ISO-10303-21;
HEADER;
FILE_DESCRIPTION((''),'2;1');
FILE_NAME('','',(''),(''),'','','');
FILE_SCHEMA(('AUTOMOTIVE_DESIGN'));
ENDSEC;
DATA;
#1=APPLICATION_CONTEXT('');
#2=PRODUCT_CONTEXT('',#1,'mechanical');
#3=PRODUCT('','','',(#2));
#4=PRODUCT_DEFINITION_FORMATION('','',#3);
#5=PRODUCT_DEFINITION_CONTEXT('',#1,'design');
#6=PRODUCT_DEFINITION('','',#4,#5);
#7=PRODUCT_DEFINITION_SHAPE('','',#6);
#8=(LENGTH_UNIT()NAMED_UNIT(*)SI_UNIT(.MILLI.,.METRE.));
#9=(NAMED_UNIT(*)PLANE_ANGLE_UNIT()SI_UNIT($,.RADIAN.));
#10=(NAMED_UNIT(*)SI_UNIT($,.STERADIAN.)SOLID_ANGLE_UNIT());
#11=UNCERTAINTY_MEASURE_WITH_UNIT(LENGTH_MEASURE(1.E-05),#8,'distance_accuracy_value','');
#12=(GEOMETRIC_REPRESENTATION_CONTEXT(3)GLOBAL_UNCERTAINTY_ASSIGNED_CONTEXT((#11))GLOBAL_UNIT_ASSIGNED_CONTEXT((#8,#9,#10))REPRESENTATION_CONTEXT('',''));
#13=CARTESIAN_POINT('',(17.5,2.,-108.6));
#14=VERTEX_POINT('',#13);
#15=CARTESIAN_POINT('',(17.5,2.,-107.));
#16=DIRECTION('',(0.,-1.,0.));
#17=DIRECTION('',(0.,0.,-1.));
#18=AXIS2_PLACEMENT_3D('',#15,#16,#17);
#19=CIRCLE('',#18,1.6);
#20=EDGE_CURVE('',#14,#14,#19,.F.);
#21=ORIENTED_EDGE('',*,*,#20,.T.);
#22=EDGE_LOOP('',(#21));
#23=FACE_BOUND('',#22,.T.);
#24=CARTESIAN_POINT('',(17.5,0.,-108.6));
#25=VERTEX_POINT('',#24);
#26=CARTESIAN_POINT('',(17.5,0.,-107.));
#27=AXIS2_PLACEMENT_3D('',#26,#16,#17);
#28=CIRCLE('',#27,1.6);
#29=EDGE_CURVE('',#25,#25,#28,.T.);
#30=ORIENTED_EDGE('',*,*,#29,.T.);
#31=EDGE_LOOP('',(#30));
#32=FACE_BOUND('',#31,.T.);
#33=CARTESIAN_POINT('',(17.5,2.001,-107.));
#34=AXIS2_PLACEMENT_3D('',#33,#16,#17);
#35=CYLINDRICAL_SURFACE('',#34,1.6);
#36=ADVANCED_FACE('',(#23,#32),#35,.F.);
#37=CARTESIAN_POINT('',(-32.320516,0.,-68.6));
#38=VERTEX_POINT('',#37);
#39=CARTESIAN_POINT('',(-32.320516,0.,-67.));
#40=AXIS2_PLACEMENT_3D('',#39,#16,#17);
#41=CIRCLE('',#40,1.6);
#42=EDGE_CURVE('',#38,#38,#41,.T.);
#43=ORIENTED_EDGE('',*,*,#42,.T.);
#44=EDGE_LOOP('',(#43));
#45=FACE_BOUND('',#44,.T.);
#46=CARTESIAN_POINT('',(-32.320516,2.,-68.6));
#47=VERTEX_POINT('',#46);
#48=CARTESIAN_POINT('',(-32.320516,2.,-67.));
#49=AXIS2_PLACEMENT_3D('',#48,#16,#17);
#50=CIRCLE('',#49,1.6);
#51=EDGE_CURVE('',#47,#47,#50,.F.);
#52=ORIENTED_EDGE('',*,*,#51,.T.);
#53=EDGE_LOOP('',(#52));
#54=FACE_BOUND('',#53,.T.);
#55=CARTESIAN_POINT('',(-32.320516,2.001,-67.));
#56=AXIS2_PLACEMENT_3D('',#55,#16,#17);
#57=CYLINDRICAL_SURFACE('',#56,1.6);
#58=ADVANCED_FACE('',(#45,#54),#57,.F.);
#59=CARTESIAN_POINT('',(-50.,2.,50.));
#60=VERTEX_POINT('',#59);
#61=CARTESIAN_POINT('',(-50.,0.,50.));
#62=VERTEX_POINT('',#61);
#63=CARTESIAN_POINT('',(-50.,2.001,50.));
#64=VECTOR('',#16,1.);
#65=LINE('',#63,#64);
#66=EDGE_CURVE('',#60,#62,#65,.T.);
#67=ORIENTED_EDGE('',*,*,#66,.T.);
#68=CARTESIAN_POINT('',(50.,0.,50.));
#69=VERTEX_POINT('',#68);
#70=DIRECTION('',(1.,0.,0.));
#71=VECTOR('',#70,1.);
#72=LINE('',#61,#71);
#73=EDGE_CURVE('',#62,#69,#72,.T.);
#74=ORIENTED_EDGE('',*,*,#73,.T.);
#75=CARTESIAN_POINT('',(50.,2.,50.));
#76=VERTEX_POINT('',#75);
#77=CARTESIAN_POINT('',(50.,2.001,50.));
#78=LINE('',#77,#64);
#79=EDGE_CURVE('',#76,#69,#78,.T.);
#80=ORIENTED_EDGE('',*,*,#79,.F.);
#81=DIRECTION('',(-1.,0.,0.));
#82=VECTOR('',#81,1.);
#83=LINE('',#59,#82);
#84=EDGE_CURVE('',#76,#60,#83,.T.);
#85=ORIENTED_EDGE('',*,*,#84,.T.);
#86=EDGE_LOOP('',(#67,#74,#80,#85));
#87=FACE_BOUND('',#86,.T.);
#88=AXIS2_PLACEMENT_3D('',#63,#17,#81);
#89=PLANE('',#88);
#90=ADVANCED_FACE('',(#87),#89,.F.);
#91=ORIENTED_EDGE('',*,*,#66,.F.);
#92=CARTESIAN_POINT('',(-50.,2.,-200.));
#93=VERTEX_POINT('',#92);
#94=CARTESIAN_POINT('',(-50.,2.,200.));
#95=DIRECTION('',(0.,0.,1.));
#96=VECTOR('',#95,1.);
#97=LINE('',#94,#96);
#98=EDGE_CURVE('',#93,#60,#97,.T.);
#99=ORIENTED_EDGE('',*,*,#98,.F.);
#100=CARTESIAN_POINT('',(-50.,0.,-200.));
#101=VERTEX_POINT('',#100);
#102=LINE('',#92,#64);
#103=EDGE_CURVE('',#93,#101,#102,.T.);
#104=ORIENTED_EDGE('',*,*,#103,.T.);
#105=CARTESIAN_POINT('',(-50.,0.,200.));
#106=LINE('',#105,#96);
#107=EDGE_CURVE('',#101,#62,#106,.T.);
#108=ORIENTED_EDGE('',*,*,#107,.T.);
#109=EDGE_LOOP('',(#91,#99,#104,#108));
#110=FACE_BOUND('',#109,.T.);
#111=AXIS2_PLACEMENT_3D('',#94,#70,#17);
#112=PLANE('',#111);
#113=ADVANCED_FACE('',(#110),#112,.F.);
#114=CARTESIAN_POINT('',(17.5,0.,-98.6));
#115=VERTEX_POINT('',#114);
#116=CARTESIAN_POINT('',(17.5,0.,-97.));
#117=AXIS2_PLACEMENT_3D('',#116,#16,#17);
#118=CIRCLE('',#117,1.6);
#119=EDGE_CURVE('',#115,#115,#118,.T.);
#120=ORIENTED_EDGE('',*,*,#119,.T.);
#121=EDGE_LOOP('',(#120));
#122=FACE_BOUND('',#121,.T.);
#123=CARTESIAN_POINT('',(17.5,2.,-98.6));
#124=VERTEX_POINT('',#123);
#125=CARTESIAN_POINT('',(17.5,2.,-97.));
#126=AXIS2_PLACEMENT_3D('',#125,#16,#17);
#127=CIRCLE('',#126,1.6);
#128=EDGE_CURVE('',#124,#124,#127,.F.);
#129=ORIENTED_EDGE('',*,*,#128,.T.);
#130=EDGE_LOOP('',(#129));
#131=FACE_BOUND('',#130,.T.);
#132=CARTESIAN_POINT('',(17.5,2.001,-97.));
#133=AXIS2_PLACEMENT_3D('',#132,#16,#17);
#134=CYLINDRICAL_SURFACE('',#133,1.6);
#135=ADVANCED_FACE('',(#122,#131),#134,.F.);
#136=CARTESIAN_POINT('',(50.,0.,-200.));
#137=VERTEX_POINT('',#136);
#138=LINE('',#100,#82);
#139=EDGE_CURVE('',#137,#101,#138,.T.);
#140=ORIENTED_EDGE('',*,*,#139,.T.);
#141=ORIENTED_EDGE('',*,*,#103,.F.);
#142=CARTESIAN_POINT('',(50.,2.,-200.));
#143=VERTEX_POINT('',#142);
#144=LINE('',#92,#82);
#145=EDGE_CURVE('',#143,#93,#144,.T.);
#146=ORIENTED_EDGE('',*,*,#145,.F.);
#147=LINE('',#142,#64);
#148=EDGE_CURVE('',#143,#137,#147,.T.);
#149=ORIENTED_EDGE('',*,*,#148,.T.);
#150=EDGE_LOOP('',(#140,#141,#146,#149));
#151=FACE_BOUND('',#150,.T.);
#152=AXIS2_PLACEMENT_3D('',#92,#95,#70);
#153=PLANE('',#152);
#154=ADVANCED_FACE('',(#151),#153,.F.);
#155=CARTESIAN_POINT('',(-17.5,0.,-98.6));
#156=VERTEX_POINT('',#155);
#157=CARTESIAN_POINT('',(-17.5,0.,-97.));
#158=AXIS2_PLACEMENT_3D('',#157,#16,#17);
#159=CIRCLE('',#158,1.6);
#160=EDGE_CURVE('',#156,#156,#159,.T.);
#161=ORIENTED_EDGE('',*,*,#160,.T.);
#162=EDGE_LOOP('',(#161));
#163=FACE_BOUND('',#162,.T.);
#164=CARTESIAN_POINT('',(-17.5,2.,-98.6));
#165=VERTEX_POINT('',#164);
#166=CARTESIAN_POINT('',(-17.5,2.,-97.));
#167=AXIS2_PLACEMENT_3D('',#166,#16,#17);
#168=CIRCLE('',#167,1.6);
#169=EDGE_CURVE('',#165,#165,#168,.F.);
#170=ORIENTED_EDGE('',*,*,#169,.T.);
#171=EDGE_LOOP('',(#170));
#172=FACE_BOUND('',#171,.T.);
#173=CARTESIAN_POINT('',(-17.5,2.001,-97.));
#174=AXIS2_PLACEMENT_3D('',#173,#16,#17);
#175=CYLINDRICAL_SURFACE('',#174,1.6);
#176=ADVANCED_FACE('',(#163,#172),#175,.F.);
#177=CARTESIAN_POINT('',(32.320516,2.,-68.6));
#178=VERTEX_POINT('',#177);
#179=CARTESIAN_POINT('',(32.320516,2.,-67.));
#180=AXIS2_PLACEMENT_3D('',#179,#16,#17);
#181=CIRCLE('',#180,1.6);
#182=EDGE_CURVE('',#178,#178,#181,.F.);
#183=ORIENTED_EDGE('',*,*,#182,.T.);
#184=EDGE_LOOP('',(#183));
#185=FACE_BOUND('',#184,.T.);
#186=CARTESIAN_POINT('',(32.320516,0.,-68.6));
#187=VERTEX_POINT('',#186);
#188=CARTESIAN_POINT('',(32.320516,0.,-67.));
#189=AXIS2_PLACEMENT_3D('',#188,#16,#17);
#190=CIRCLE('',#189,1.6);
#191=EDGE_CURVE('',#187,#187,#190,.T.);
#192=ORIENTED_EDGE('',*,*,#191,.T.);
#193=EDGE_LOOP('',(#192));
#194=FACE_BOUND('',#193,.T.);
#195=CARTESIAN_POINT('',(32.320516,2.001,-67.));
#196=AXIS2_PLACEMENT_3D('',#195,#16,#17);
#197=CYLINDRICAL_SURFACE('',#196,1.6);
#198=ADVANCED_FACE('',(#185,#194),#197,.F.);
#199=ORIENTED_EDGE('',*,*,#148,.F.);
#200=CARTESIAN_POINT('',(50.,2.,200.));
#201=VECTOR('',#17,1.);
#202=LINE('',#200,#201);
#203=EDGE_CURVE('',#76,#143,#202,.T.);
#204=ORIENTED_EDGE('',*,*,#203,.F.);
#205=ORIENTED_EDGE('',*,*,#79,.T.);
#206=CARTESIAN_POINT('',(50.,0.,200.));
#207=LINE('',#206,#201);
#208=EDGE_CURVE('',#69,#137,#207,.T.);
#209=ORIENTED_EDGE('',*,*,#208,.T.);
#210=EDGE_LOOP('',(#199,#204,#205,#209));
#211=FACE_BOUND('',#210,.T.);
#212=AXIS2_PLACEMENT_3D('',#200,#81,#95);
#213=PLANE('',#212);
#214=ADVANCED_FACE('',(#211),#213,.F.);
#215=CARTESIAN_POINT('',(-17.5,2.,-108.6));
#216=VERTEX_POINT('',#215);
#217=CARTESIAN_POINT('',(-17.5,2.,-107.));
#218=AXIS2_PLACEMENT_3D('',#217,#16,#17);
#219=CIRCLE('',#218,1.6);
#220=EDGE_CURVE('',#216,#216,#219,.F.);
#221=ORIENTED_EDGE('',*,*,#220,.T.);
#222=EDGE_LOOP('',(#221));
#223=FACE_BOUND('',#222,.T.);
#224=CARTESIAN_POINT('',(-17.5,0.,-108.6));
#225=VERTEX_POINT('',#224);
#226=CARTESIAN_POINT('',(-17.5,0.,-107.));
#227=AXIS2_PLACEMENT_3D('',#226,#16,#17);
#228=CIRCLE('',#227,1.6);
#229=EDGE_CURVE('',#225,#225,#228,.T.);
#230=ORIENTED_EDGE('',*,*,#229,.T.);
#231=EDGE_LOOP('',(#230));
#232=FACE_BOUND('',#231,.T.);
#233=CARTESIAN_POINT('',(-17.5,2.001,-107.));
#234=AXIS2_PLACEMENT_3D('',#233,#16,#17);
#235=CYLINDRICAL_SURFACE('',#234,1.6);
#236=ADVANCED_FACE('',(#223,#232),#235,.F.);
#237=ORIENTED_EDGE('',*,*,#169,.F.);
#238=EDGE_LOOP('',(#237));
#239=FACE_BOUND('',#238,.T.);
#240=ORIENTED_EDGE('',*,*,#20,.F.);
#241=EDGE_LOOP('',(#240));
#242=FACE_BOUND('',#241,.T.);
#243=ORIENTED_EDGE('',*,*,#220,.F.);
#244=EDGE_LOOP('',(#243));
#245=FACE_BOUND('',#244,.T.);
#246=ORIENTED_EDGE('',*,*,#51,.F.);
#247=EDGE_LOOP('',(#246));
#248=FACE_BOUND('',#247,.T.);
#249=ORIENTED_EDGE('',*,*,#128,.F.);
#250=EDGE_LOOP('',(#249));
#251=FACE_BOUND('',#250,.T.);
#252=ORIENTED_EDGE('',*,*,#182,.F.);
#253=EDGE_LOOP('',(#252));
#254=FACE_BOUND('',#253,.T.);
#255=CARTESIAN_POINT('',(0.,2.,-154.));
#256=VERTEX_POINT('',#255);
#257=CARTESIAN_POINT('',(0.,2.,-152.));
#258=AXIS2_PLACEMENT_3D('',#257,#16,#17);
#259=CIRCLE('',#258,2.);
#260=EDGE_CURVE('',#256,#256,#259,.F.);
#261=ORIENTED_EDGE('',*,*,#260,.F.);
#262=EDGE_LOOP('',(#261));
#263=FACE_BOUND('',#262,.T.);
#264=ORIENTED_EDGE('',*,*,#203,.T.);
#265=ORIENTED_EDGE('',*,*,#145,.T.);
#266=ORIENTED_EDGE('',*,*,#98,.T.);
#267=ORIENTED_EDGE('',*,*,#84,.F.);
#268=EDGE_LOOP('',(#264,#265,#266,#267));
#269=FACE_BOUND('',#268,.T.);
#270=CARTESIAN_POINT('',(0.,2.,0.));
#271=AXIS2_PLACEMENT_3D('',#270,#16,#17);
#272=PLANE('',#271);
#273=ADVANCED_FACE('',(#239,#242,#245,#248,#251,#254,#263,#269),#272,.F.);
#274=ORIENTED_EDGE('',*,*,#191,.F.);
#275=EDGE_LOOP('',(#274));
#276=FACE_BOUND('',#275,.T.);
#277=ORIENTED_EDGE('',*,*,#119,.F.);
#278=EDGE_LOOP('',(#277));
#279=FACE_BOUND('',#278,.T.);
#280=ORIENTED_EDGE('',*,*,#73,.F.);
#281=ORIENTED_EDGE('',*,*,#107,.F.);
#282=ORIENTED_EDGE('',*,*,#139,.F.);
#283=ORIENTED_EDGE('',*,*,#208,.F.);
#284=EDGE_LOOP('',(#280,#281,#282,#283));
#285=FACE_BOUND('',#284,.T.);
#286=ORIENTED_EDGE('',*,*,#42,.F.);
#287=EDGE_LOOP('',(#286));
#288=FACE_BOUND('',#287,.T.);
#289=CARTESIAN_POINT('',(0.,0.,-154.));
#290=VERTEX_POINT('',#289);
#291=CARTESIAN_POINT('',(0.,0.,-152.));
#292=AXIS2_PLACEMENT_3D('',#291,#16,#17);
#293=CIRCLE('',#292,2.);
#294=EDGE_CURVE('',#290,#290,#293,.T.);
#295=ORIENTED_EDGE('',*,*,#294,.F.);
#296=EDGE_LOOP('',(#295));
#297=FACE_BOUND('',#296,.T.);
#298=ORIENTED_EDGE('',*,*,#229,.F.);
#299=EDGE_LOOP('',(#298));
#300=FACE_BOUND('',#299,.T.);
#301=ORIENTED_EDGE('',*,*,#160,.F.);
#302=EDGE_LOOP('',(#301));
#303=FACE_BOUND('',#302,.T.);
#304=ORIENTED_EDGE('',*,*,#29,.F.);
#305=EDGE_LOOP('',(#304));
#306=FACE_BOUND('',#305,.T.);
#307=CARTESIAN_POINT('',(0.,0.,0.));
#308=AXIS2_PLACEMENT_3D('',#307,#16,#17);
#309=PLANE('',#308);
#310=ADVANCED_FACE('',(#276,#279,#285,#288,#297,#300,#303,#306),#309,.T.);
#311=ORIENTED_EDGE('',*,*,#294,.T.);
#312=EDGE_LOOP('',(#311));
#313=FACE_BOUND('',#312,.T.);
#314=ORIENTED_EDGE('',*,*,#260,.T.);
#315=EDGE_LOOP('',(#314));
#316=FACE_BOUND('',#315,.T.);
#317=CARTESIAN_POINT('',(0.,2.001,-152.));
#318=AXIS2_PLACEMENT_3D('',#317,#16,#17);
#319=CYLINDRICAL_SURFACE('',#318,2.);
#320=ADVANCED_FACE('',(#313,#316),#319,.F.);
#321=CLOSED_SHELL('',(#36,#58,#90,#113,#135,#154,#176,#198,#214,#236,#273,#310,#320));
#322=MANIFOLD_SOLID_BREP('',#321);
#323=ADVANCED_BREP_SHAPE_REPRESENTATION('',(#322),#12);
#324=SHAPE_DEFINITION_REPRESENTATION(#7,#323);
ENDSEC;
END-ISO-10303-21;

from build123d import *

# Parameters (mm, degrees)
SKETCH_1_W          = 100
SKETCH_1_H          = 400
EXTRUDE_1_DEPTH     = 2
CUT_EXTRUDE_2_REACH = 208.165
SKETCH_3_R          = 2
CUT_EXTRUDE_3_REACH = 208.165
SKETCH_4_R          = 1.6
CUT_EXTRUDE_4_REACH = 208.165
SKETCH_5_W          = 100
SKETCH_5_H          = 150


with BuildPart() as part:
    # 草图1 → 凸台-拉伸1 (new body)
    with BuildSketch(Plane(origin=(0, 0, 0), x_dir=(1, 0, 0), z_dir=(0, 1, 0))):
        Rectangle(SKETCH_1_W, SKETCH_1_H)
    extrude(amount=EXTRUDE_1_DEPTH)

    # 草图3 → 切除-拉伸2 (cut, up to next)
    with BuildSketch(Plane.XZ, mode=Mode.PRIVATE) as cut_extrude_2_sk1:
        with Locations(Location((0, -152, 0), (0, 0, 270))):
            Circle(SKETCH_3_R)
    cut_extrude_2_tool1 = extrude(cut_extrude_2_sk1.sketch, amount=-CUT_EXTRUDE_2_REACH, mode=Mode.PRIVATE) & part.part
    add(cut_extrude_2_tool1.solids().sort_by_distance((0, 0, -152))[0], mode=Mode.SUBTRACT)

    # 草图4 → 切除-拉伸3 (cut, up to next)
    with BuildSketch(Plane.XZ, mode=Mode.PRIVATE) as cut_extrude_3_sk1:
        with Locations(Location((17.5, -97, 0), (0, 0, 270))):
            Circle(SKETCH_4_R)
    cut_extrude_3_tool1 = extrude(cut_extrude_3_sk1.sketch, amount=-CUT_EXTRUDE_3_REACH, mode=Mode.PRIVATE) & part.part
    # 草图4 → 切除-拉伸3 (cut, up to next)
    with BuildSketch(Plane.XZ, mode=Mode.PRIVATE) as cut_extrude_3_sk2:
        with Locations(Location((17.5, -107, 0), (0, 0, 270))):
            Circle(SKETCH_4_R)
    cut_extrude_3_tool2 = extrude(cut_extrude_3_sk2.sketch, amount=-CUT_EXTRUDE_3_REACH, mode=Mode.PRIVATE) & part.part
    # 草图4 → 切除-拉伸3 (cut, up to next)
    with BuildSketch(Plane.XZ, mode=Mode.PRIVATE) as cut_extrude_3_sk3:
        with Locations(Location((32.32051615, -67, 0), (0, 0, 270))):
            Circle(SKETCH_4_R)
    cut_extrude_3_tool3 = extrude(cut_extrude_3_sk3.sketch, amount=-CUT_EXTRUDE_3_REACH, mode=Mode.PRIVATE) & part.part
    # 草图4 → 切除-拉伸3 (cut, up to next)
    with BuildSketch(Plane.XZ, mode=Mode.PRIVATE) as cut_extrude_3_sk4:
        with Locations(Location((-17.5, -97, 0), (0, 0, 270))):
            Circle(SKETCH_4_R)
    cut_extrude_3_tool4 = extrude(cut_extrude_3_sk4.sketch, amount=-CUT_EXTRUDE_3_REACH, mode=Mode.PRIVATE) & part.part
    # 草图4 → 切除-拉伸3 (cut, up to next)
    with BuildSketch(Plane.XZ, mode=Mode.PRIVATE) as cut_extrude_3_sk5:
        with Locations(Location((-17.5, -107, 0), (0, 0, 270))):
            Circle(SKETCH_4_R)
    cut_extrude_3_tool5 = extrude(cut_extrude_3_sk5.sketch, amount=-CUT_EXTRUDE_3_REACH, mode=Mode.PRIVATE) & part.part
    # 草图4 → 切除-拉伸3 (cut, up to next)
    with BuildSketch(Plane.XZ, mode=Mode.PRIVATE) as cut_extrude_3_sk6:
        with Locations(Location((-32.32051615, -67, 0), (0, 0, 270))):
            Circle(SKETCH_4_R)
    cut_extrude_3_tool6 = extrude(cut_extrude_3_sk6.sketch, amount=-CUT_EXTRUDE_3_REACH, mode=Mode.PRIVATE) & part.part
    add(cut_extrude_3_tool1.solids().sort_by_distance((17.5, 0, -97))[0], mode=Mode.SUBTRACT)
    add(cut_extrude_3_tool2.solids().sort_by_distance((17.5, 0, -107))[0], mode=Mode.SUBTRACT)
    add(cut_extrude_3_tool3.solids().sort_by_distance((32.320516, 0, -67))[0], mode=Mode.SUBTRACT)
    add(cut_extrude_3_tool4.solids().sort_by_distance((-17.5, 0, -97))[0], mode=Mode.SUBTRACT)
    add(cut_extrude_3_tool5.solids().sort_by_distance((-17.5, 0, -107))[0], mode=Mode.SUBTRACT)
    add(cut_extrude_3_tool6.solids().sort_by_distance((-32.320516, 0, -67))[0], mode=Mode.SUBTRACT)

    # 草图5 → 切除-拉伸4 (cut, up to next)
    with BuildSketch(Plane.XZ, mode=Mode.PRIVATE) as cut_extrude_4_sk1:
        with Locations((0, 125)):
            Rectangle(SKETCH_5_W, SKETCH_5_H)
    cut_extrude_4_tool1 = extrude(cut_extrude_4_sk1.sketch, amount=-CUT_EXTRUDE_4_REACH, mode=Mode.PRIVATE) & part.part
    add(cut_extrude_4_tool1.solids().sort_by_distance((0, 0, 125))[0], mode=Mode.SUBTRACT)


solid = part.part
